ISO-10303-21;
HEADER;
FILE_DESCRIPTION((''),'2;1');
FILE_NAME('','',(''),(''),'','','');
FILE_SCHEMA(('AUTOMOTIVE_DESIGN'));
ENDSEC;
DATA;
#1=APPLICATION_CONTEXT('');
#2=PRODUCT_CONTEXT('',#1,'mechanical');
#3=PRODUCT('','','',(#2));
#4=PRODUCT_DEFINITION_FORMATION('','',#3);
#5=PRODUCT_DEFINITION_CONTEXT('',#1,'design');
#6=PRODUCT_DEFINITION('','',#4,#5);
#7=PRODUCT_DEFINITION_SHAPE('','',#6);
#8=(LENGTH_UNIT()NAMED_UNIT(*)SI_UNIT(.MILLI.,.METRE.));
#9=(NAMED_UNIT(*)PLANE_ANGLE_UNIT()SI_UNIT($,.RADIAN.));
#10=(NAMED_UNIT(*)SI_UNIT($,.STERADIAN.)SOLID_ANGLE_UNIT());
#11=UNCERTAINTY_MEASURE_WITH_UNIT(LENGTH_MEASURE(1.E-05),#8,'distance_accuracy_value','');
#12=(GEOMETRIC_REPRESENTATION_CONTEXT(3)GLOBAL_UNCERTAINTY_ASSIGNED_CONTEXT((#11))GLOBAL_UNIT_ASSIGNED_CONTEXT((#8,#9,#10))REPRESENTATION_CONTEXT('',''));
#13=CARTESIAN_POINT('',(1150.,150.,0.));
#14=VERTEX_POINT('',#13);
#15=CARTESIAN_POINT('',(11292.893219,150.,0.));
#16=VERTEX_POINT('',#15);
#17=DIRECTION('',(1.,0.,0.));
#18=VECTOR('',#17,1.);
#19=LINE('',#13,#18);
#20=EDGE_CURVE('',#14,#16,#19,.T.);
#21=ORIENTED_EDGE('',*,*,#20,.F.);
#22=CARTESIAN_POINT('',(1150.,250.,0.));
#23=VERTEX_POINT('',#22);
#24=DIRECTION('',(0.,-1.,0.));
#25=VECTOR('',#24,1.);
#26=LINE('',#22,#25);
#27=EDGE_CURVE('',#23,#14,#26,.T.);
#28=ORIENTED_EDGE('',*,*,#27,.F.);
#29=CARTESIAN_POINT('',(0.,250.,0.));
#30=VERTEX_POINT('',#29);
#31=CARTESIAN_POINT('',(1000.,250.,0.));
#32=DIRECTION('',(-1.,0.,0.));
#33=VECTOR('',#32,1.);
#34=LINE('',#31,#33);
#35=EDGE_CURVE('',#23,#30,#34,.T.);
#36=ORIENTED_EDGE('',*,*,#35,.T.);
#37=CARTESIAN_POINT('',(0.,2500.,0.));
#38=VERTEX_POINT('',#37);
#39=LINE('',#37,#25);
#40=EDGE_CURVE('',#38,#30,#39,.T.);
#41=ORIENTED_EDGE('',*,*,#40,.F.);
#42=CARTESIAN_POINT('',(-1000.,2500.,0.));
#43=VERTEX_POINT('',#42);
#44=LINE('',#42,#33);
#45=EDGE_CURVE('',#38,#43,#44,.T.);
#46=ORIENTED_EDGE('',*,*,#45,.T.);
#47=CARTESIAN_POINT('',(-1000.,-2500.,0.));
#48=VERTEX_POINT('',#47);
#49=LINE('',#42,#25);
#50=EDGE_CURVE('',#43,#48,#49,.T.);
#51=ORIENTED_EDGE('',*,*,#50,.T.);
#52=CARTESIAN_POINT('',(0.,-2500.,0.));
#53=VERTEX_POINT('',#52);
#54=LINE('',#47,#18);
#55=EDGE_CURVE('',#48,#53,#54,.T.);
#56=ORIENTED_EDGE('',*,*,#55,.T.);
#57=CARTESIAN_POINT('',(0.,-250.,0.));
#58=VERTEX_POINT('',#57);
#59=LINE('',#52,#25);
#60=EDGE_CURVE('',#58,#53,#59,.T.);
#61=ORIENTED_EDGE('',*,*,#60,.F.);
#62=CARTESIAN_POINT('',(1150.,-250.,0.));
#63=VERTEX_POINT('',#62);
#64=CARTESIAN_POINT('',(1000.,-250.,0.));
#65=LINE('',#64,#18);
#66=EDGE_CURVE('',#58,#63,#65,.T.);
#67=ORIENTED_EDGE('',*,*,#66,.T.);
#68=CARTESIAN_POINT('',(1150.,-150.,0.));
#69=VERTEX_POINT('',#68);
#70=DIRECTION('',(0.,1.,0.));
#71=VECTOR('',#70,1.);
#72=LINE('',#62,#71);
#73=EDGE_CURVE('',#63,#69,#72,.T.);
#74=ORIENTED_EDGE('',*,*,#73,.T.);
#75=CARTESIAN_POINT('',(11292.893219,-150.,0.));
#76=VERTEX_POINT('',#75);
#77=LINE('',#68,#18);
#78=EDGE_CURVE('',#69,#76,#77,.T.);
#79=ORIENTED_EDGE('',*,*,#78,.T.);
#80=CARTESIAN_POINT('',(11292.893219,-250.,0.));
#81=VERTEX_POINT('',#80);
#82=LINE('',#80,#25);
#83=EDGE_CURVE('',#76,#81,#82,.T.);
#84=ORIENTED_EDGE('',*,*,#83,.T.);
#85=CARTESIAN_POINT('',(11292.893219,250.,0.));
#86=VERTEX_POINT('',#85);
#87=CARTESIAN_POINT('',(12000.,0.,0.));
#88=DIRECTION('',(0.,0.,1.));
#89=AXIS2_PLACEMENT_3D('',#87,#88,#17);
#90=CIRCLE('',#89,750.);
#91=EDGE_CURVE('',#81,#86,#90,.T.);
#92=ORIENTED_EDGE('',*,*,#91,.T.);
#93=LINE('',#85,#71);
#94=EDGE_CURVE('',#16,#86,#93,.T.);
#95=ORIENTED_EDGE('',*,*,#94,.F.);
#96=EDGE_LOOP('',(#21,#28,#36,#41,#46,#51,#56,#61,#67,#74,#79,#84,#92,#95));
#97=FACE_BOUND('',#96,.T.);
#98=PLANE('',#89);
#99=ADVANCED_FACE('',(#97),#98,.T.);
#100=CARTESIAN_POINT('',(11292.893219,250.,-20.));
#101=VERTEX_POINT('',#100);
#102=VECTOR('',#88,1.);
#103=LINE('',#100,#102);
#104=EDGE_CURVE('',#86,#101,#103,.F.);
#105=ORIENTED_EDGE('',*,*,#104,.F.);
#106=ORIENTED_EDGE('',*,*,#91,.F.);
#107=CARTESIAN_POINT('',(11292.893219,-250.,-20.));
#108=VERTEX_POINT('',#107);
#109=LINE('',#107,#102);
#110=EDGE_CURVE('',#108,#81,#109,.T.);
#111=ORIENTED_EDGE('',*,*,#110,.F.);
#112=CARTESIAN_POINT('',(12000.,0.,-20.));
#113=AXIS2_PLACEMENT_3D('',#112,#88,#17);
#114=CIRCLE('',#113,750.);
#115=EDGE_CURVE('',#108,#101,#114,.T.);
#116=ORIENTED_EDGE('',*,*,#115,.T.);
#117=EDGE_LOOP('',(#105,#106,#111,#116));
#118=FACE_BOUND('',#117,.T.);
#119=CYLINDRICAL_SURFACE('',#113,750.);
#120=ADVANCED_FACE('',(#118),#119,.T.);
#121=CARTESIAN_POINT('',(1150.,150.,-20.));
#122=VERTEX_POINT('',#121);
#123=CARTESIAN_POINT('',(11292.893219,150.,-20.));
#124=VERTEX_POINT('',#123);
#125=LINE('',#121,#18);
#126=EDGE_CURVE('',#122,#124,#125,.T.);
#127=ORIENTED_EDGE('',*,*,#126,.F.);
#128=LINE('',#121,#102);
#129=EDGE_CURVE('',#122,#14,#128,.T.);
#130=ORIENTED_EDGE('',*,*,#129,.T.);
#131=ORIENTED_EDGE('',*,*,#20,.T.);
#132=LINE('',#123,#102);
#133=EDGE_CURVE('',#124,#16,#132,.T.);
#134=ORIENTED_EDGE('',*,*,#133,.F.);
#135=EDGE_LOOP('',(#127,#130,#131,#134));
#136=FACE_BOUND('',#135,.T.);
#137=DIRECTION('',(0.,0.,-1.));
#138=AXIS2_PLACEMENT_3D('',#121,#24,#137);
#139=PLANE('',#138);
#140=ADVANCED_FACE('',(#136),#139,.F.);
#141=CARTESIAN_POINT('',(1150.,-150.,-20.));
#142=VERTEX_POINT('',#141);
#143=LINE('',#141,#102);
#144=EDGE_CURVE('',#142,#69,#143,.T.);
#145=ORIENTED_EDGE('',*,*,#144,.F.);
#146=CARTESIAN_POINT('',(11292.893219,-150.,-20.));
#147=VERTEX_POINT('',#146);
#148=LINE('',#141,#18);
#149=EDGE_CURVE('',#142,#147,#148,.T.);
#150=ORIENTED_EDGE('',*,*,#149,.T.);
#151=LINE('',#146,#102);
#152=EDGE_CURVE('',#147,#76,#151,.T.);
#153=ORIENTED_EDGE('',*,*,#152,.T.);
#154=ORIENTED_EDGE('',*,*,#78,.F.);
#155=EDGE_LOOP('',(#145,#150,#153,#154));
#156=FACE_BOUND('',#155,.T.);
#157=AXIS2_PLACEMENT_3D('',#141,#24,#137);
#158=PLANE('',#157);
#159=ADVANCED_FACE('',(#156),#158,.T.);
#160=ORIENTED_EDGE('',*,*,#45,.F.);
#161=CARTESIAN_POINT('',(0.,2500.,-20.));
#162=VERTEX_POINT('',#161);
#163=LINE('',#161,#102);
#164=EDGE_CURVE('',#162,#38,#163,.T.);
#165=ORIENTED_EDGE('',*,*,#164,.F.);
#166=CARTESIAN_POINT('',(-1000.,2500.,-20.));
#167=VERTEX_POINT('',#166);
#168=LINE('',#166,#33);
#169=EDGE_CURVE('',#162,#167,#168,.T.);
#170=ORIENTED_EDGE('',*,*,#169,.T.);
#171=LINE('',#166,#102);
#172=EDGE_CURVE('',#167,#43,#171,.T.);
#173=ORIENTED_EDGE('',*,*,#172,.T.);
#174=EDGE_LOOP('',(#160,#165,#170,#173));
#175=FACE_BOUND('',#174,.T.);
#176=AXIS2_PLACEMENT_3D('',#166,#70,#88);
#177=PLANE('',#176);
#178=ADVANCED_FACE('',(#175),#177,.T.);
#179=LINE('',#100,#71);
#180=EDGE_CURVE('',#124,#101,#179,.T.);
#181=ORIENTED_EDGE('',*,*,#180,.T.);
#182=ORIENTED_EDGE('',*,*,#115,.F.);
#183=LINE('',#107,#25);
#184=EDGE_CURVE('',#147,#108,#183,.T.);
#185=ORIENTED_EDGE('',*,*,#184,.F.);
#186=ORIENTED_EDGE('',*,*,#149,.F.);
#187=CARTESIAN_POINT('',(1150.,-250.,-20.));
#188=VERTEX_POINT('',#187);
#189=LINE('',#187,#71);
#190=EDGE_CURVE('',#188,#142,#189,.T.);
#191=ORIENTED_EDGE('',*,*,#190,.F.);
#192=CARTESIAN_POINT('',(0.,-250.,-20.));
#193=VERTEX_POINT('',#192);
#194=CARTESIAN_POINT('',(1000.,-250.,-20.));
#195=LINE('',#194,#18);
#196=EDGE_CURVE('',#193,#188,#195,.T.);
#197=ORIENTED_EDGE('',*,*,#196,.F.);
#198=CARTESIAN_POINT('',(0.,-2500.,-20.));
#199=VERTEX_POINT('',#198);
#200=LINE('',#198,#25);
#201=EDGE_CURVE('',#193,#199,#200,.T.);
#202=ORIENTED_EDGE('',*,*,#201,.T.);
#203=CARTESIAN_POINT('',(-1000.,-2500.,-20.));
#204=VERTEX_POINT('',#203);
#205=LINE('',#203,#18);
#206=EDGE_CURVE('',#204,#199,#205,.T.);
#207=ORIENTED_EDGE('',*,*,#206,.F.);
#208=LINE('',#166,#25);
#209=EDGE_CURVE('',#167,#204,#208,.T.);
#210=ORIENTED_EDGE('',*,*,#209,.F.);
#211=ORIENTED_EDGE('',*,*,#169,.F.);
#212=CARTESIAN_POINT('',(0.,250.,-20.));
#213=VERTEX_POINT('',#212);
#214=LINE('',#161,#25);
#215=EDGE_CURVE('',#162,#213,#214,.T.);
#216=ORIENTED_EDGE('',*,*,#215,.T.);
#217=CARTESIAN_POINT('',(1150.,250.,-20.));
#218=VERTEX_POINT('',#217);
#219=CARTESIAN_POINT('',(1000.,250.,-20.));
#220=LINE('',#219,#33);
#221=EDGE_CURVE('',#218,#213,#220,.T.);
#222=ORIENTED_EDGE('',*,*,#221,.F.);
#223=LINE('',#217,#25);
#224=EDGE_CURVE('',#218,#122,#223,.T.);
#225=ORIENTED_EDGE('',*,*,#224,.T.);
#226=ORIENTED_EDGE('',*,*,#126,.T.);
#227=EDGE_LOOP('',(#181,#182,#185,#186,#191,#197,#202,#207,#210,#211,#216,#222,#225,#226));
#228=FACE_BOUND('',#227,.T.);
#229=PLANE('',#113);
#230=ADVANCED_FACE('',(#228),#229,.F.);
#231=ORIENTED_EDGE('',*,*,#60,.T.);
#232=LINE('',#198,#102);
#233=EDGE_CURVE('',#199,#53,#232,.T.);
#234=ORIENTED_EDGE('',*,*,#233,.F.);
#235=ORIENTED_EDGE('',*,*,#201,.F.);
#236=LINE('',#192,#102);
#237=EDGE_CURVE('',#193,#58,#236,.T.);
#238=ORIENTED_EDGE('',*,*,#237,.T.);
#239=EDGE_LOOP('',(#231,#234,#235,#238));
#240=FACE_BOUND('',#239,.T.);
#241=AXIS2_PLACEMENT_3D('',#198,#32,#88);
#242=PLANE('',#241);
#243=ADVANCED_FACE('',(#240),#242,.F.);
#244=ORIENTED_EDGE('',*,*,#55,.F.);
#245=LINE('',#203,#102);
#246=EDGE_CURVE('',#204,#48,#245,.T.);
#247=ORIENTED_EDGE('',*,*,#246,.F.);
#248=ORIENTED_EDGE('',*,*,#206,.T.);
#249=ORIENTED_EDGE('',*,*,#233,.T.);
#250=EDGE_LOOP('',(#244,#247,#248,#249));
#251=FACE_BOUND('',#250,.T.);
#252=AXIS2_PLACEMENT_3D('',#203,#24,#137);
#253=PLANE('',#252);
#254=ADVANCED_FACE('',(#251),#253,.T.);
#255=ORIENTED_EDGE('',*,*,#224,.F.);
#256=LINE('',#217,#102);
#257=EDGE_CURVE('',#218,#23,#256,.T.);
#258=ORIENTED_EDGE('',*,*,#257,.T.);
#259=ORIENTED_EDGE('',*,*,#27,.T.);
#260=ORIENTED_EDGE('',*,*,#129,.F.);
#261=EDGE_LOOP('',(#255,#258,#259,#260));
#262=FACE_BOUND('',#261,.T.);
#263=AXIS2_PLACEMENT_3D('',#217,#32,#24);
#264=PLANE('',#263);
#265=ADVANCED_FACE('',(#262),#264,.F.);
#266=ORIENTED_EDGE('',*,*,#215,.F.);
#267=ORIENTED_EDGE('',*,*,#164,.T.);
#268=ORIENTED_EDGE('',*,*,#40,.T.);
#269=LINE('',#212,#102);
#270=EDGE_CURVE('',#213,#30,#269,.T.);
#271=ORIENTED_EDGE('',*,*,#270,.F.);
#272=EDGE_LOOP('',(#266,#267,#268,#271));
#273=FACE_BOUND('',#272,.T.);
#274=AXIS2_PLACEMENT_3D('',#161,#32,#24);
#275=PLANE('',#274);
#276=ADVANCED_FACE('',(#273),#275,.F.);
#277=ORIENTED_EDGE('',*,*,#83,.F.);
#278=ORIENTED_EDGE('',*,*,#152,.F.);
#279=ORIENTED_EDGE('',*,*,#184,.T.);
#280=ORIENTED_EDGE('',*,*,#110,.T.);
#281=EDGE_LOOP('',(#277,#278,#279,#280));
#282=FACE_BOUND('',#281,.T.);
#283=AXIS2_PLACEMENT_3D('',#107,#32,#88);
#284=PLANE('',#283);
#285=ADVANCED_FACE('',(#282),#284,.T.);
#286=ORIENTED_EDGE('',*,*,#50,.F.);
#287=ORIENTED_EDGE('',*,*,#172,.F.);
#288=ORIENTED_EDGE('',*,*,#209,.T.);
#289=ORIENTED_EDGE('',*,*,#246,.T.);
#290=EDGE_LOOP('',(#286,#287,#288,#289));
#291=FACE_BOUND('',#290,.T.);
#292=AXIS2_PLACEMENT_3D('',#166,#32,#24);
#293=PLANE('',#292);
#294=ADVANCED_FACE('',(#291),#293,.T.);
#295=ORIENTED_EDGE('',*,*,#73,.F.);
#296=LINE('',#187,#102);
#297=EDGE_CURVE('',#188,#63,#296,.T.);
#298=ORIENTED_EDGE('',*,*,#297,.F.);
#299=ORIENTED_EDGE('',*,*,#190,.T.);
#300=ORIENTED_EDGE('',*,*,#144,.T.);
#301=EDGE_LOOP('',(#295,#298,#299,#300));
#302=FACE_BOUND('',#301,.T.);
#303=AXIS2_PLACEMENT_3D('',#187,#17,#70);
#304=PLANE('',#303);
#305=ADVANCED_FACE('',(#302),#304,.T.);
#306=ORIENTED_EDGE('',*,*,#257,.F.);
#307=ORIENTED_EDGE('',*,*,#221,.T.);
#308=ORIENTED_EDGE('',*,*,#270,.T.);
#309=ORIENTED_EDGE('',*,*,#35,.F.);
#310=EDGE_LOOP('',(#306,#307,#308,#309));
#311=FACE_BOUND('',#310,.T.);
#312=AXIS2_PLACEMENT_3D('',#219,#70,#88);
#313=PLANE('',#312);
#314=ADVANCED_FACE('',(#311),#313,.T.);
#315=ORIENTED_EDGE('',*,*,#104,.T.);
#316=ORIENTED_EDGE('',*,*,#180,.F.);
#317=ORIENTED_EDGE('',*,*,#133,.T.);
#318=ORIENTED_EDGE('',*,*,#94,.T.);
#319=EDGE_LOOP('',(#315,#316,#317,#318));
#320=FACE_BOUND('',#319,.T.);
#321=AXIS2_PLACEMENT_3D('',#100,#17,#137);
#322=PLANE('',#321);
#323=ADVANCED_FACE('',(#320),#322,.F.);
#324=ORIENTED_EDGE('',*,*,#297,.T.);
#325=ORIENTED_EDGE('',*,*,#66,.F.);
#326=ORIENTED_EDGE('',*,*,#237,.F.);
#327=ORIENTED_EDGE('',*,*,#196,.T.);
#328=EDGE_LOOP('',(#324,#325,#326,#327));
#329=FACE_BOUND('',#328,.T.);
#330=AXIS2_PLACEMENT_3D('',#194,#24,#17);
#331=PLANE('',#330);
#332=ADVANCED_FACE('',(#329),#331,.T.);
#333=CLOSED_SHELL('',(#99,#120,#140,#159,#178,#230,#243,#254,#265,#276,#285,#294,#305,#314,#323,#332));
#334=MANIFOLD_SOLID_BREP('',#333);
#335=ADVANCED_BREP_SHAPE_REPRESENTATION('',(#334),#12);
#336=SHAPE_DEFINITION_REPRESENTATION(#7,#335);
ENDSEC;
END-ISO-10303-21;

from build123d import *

# Parameters (mm, degrees)
BOSS_EXTRUDE1_DEPTH = 20
SKETCH2_W           = 1000
SKETCH2_H           = 2250
CUT_EXTRUDE1_DEPTH  = 12993.801853334
CUT_EXTRUDE4_DEPTH  = 12993.801853334
SKETCH5_W           = 11500
SKETCH5_H           = 500
BOSS_EXTRUDE2_DEPTH = 20
SKETCH7_W           = 10142.893218813
SKETCH7_H           = 100
CUT_EXTRUDE5_DEPTH  = 12993.801853334


with BuildPart() as part:
    # Sketch1 → Boss-Extrude1 (new body)
    with BuildSketch(Plane.XY):
        with BuildLine():
            Line((1000, 250), (5000, 250))
            Line((5000, 250), (5000, 125))
            Line((5000, 125), (9000, 125))
            Line((9000, 125), (9000, 100))
            Line((9000, 100), (11256.696562634, 100))
            ThreePointArc((11256.696562634, 100), (12750, 0), (11256.696562634, -100))
            Line((11256.696562634, -100), (9000, -100))
            Line((9000, -100), (9000, -125))
            Line((9000, -125), (5000, -125))
            Line((5000, -125), (5000, -250))
            Line((5000, -250), (1000, -250))
            Line((1000, -250), (1000, -2500))
            Line((1000, -2500), (-1000, -2500))
            Line((-1000, -2500), (-1000, 2500))
            Line((-1000, 2500), (1000, 2500))
            Line((1000, 2500), (1000, 250))
        make_face()
    extrude(amount=-BOSS_EXTRUDE1_DEPTH)

    # Sketch2 → Cut-Extrude1 (cut, through all)
    with BuildSketch(Plane.XY):
        with Locations((500, 1375)):
            Rectangle(SKETCH2_W, SKETCH2_H)
        with Locations((500, -1375)):
            Rectangle(SKETCH2_W, SKETCH2_H)
    extrude(amount=-CUT_EXTRUDE1_DEPTH, mode=Mode.SUBTRACT)

    # Sketch3 → Cut-Extrude4 (cut, through all)
    with BuildSketch(Plane.XY):
        Polygon((1500, -250), (3250, -250), (5000, -250), (5000, -150), (3250, -150), (3250, -200), (1500, -200), align=None)
    cut_extrude4 = extrude(amount=-CUT_EXTRUDE4_DEPTH, mode=Mode.SUBTRACT)

    # Mirror1: Cut-Extrude4 across plane
    add(cut_extrude4.mirror(Plane.ZX), mode=Mode.SUBTRACT)

    # Sketch5 → Boss-Extrude2 (add)
    with BuildSketch(Plane.XY):
        with Locations((5750, 0)):
            Rectangle(SKETCH5_W, SKETCH5_H)
    extrude(amount=-BOSS_EXTRUDE2_DEPTH)

    # Sketch7 → Cut-Extrude5 (cut, through all)
    with BuildSketch(Plane.XY):
        with Locations((6221.446609407, 200)):
            Rectangle(SKETCH7_W, SKETCH7_H)
    cut_extrude5 = extrude(amount=-CUT_EXTRUDE5_DEPTH, mode=Mode.SUBTRACT)

    # Mirror2: Cut-Extrude5 across plane
    add(cut_extrude5.mirror(Plane.ZX), mode=Mode.SUBTRACT)


solid = part.part
